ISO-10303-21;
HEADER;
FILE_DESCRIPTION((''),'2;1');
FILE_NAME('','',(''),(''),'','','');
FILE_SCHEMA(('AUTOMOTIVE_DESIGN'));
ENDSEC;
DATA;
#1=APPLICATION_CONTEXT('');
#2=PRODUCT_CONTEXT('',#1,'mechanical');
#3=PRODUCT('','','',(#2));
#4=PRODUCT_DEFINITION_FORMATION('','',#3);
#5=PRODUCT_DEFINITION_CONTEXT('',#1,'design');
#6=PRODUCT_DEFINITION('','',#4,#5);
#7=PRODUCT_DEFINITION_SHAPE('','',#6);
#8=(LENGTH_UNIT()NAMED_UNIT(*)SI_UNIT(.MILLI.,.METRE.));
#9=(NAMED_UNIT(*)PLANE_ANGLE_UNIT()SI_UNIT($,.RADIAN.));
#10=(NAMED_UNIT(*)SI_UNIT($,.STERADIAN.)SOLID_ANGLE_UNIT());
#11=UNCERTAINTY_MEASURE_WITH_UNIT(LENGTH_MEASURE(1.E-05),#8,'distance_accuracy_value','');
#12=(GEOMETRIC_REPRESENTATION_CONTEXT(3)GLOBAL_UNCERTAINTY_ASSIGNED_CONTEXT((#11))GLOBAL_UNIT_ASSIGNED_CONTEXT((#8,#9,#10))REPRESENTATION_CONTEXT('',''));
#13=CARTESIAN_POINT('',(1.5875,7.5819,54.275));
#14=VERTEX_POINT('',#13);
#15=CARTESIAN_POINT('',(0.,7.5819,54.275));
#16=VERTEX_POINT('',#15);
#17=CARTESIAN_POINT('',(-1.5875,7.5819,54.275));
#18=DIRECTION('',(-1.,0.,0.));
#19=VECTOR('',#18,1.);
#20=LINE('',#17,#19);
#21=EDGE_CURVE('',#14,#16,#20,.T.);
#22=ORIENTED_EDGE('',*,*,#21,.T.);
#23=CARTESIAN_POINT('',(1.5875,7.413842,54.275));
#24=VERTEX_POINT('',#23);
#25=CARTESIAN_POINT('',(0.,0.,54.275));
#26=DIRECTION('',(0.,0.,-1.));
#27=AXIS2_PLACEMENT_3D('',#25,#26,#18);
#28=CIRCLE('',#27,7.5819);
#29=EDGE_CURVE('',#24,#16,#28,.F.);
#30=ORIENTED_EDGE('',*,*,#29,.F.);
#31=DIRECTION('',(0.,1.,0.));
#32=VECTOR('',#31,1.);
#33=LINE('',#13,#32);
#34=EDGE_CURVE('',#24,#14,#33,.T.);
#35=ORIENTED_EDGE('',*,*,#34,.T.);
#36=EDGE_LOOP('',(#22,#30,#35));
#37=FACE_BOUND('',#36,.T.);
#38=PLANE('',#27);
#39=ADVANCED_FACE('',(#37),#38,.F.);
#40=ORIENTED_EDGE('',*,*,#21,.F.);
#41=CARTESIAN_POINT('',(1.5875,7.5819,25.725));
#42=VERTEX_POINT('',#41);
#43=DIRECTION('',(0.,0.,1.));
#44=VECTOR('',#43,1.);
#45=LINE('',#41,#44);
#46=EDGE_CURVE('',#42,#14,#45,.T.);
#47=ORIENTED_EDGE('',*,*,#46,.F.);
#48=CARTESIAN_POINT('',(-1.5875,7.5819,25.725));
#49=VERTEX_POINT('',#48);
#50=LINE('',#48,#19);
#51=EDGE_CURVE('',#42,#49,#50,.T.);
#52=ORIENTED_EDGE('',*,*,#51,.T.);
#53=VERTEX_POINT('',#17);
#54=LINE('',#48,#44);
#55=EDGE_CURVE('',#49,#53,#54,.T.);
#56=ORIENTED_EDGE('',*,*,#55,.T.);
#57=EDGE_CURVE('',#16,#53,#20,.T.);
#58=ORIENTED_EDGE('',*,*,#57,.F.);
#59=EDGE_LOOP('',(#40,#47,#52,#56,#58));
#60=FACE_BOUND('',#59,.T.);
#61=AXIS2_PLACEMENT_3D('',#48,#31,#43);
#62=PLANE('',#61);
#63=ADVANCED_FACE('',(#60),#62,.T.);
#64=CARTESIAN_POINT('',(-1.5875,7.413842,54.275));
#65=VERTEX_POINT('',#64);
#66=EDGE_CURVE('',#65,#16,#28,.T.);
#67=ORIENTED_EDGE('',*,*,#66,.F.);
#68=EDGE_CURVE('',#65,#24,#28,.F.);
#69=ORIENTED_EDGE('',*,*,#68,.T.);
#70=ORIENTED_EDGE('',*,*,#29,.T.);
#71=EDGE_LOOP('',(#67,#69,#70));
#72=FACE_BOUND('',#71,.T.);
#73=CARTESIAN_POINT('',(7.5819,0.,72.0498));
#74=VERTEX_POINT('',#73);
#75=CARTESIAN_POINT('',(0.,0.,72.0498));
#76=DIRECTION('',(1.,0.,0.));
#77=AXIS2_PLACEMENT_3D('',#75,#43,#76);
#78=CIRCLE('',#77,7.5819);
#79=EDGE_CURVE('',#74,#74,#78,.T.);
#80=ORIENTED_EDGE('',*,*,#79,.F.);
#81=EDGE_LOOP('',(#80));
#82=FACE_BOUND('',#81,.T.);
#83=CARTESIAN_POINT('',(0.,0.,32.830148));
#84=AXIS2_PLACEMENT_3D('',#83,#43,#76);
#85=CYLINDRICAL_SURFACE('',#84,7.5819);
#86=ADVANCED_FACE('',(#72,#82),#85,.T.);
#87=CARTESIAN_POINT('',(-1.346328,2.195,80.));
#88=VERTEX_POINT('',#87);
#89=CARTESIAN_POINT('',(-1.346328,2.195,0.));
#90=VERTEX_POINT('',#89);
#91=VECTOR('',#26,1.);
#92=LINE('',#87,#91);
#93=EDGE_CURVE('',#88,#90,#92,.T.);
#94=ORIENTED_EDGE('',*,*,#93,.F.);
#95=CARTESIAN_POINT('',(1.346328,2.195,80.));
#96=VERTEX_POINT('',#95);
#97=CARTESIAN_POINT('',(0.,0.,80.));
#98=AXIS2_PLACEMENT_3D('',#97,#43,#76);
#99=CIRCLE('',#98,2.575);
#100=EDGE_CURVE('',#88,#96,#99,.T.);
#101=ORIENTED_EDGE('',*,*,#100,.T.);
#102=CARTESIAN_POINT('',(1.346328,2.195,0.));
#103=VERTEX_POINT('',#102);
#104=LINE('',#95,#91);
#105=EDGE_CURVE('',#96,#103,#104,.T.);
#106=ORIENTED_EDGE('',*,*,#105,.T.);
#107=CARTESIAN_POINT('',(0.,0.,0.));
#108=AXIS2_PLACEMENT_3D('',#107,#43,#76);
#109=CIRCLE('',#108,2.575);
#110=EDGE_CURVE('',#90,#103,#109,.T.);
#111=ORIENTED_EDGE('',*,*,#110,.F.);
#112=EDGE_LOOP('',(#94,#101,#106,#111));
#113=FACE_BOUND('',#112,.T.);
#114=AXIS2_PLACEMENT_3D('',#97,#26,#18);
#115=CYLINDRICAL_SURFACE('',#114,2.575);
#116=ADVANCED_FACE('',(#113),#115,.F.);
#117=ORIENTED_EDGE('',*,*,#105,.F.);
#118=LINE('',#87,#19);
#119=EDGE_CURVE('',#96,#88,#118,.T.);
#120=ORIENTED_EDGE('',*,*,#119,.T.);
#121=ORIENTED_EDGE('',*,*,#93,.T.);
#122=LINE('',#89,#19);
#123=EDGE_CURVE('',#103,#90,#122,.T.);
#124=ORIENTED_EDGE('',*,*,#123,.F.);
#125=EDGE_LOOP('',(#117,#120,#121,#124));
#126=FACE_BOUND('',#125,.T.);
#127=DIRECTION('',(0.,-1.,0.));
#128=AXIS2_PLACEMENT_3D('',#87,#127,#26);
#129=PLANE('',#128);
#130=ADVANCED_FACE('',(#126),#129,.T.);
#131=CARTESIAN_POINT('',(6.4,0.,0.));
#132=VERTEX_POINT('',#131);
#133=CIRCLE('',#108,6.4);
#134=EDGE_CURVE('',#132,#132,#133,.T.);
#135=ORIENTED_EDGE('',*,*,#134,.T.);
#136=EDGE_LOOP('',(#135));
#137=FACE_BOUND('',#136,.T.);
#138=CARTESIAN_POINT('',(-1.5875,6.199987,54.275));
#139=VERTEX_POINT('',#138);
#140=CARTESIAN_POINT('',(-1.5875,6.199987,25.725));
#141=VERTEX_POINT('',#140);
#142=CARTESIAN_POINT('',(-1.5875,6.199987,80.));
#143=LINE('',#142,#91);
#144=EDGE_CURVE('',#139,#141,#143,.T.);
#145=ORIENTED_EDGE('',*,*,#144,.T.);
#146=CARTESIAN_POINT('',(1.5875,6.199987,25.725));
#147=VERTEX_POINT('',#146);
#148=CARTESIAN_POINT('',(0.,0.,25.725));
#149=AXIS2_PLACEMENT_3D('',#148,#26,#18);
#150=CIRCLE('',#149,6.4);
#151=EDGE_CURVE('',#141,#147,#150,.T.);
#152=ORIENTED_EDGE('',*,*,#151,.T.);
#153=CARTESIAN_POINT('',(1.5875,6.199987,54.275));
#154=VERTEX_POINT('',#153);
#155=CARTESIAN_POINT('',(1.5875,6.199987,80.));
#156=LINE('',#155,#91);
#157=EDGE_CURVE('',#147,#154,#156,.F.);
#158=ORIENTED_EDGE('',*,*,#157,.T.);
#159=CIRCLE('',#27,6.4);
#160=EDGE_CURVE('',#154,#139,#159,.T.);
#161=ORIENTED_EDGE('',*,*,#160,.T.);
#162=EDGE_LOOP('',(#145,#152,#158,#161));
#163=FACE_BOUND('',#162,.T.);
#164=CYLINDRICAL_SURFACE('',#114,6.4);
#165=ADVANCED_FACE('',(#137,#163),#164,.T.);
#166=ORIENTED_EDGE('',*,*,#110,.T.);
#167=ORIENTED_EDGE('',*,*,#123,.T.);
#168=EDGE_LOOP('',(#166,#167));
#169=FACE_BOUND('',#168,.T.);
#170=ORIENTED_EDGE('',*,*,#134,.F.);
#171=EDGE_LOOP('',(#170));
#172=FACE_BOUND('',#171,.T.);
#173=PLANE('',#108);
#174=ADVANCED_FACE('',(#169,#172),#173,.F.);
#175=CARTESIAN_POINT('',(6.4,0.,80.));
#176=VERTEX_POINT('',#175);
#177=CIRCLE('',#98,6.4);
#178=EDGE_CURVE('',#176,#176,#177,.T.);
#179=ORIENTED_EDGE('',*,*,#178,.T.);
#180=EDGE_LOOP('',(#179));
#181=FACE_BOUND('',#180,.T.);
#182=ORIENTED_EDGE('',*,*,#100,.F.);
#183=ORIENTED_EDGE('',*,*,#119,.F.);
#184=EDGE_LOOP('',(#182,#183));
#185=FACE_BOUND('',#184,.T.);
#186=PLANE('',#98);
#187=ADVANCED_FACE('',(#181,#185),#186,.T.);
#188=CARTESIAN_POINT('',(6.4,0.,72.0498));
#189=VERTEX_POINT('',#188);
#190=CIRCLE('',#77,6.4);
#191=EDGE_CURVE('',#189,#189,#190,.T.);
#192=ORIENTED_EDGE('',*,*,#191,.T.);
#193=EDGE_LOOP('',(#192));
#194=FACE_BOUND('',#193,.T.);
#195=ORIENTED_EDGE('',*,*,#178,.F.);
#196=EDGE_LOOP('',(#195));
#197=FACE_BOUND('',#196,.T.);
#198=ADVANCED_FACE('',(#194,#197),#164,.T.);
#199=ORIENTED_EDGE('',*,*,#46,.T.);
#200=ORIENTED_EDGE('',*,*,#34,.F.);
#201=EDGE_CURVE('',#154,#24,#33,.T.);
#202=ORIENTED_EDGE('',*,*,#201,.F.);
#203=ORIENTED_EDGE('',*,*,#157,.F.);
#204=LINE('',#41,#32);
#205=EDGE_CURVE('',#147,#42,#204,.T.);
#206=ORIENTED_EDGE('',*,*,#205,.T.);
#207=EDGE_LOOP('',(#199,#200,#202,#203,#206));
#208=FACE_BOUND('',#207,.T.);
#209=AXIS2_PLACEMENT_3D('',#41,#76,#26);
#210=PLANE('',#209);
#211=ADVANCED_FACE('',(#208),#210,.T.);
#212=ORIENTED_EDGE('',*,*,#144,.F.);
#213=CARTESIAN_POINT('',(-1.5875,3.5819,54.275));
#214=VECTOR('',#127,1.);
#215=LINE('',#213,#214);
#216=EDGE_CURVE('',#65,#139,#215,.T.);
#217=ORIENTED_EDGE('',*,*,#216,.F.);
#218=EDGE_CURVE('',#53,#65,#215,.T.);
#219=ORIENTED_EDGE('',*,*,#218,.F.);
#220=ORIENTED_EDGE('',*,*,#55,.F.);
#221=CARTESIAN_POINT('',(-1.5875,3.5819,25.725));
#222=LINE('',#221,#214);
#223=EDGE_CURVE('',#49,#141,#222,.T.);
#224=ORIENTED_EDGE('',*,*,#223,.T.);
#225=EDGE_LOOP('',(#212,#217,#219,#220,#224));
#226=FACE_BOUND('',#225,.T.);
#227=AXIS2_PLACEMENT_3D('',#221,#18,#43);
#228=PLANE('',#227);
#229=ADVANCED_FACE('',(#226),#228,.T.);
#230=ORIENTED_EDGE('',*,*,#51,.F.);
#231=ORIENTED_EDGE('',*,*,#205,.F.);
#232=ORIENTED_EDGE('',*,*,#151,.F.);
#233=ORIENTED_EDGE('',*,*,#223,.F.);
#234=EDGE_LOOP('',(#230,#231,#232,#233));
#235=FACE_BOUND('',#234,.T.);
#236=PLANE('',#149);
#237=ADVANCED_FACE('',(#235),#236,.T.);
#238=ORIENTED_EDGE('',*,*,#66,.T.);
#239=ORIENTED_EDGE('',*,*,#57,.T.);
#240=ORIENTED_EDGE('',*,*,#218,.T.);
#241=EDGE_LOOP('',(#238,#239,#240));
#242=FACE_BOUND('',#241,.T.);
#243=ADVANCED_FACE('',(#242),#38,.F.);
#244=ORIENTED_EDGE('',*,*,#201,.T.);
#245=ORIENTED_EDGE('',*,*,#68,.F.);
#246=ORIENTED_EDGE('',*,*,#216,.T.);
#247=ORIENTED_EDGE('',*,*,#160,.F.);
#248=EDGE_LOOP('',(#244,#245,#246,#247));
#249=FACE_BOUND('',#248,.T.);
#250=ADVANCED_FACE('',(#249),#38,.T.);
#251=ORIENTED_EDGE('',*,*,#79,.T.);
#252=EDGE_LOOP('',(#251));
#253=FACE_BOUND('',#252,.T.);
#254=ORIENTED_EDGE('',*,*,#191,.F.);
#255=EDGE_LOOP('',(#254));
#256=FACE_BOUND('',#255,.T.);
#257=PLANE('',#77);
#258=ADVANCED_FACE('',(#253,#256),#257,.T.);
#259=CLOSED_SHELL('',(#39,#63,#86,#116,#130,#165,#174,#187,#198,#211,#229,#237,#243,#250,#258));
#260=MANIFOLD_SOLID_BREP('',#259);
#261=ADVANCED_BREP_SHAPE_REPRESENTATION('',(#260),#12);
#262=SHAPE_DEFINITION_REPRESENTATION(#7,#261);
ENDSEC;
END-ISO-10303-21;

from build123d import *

# Parameters (mm, degrees)
SKETCH1_R                = 6.4
BOSS_EXTRUDE1_DEPTH      = 80
BOSS_EXTRUDE2_DEPTH      = 14.275
BOSS_EXTRUDE2_DEPTH_BACK = 14.275
SKETCH9_W                = 3.175
SKETCH9_H                = 4
BOSS_EXTRUDE3_START      = -7.9502
SKETCH10_R               = 7.5819
SKETCH10_R_2             = 5
BOSS_EXTRUDE3_DEPTH      = 17.7748


with BuildPart() as part:
    # Sketch1 → Boss-Extrude1 (new body)
    with BuildSketch(Plane.XY):
        Circle(SKETCH1_R)
        with BuildLine():
            Line((-1.34632834, 2.195), (1.34632834, 2.195))
            ThreePointArc((1.34632834, 2.195), (0, -2.575), (-1.34632834, 2.195))
        make_face(mode=Mode.SUBTRACT)
    extrude(amount=BOSS_EXTRUDE1_DEPTH)

    # Sketch9 → Boss-Extrude2 (add, two sides: drawn at the far end of the back side and taken through both)
    with BuildSketch(Plane.XY.offset(40).offset(-BOSS_EXTRUDE2_DEPTH_BACK)):
        with Locations((0, 5.5819)):
            Rectangle(SKETCH9_W, SKETCH9_H)
    extrude(amount=BOSS_EXTRUDE2_DEPTH + BOSS_EXTRUDE2_DEPTH_BACK)

    # Sketch10 → Boss-Extrude3 (add)
    with BuildSketch(Plane.XY.offset(80).offset(BOSS_EXTRUDE3_START)):
        Circle(SKETCH10_R)
        Circle(SKETCH10_R_2, mode=Mode.SUBTRACT)
    extrude(amount=-BOSS_EXTRUDE3_DEPTH)


solid = part.part
